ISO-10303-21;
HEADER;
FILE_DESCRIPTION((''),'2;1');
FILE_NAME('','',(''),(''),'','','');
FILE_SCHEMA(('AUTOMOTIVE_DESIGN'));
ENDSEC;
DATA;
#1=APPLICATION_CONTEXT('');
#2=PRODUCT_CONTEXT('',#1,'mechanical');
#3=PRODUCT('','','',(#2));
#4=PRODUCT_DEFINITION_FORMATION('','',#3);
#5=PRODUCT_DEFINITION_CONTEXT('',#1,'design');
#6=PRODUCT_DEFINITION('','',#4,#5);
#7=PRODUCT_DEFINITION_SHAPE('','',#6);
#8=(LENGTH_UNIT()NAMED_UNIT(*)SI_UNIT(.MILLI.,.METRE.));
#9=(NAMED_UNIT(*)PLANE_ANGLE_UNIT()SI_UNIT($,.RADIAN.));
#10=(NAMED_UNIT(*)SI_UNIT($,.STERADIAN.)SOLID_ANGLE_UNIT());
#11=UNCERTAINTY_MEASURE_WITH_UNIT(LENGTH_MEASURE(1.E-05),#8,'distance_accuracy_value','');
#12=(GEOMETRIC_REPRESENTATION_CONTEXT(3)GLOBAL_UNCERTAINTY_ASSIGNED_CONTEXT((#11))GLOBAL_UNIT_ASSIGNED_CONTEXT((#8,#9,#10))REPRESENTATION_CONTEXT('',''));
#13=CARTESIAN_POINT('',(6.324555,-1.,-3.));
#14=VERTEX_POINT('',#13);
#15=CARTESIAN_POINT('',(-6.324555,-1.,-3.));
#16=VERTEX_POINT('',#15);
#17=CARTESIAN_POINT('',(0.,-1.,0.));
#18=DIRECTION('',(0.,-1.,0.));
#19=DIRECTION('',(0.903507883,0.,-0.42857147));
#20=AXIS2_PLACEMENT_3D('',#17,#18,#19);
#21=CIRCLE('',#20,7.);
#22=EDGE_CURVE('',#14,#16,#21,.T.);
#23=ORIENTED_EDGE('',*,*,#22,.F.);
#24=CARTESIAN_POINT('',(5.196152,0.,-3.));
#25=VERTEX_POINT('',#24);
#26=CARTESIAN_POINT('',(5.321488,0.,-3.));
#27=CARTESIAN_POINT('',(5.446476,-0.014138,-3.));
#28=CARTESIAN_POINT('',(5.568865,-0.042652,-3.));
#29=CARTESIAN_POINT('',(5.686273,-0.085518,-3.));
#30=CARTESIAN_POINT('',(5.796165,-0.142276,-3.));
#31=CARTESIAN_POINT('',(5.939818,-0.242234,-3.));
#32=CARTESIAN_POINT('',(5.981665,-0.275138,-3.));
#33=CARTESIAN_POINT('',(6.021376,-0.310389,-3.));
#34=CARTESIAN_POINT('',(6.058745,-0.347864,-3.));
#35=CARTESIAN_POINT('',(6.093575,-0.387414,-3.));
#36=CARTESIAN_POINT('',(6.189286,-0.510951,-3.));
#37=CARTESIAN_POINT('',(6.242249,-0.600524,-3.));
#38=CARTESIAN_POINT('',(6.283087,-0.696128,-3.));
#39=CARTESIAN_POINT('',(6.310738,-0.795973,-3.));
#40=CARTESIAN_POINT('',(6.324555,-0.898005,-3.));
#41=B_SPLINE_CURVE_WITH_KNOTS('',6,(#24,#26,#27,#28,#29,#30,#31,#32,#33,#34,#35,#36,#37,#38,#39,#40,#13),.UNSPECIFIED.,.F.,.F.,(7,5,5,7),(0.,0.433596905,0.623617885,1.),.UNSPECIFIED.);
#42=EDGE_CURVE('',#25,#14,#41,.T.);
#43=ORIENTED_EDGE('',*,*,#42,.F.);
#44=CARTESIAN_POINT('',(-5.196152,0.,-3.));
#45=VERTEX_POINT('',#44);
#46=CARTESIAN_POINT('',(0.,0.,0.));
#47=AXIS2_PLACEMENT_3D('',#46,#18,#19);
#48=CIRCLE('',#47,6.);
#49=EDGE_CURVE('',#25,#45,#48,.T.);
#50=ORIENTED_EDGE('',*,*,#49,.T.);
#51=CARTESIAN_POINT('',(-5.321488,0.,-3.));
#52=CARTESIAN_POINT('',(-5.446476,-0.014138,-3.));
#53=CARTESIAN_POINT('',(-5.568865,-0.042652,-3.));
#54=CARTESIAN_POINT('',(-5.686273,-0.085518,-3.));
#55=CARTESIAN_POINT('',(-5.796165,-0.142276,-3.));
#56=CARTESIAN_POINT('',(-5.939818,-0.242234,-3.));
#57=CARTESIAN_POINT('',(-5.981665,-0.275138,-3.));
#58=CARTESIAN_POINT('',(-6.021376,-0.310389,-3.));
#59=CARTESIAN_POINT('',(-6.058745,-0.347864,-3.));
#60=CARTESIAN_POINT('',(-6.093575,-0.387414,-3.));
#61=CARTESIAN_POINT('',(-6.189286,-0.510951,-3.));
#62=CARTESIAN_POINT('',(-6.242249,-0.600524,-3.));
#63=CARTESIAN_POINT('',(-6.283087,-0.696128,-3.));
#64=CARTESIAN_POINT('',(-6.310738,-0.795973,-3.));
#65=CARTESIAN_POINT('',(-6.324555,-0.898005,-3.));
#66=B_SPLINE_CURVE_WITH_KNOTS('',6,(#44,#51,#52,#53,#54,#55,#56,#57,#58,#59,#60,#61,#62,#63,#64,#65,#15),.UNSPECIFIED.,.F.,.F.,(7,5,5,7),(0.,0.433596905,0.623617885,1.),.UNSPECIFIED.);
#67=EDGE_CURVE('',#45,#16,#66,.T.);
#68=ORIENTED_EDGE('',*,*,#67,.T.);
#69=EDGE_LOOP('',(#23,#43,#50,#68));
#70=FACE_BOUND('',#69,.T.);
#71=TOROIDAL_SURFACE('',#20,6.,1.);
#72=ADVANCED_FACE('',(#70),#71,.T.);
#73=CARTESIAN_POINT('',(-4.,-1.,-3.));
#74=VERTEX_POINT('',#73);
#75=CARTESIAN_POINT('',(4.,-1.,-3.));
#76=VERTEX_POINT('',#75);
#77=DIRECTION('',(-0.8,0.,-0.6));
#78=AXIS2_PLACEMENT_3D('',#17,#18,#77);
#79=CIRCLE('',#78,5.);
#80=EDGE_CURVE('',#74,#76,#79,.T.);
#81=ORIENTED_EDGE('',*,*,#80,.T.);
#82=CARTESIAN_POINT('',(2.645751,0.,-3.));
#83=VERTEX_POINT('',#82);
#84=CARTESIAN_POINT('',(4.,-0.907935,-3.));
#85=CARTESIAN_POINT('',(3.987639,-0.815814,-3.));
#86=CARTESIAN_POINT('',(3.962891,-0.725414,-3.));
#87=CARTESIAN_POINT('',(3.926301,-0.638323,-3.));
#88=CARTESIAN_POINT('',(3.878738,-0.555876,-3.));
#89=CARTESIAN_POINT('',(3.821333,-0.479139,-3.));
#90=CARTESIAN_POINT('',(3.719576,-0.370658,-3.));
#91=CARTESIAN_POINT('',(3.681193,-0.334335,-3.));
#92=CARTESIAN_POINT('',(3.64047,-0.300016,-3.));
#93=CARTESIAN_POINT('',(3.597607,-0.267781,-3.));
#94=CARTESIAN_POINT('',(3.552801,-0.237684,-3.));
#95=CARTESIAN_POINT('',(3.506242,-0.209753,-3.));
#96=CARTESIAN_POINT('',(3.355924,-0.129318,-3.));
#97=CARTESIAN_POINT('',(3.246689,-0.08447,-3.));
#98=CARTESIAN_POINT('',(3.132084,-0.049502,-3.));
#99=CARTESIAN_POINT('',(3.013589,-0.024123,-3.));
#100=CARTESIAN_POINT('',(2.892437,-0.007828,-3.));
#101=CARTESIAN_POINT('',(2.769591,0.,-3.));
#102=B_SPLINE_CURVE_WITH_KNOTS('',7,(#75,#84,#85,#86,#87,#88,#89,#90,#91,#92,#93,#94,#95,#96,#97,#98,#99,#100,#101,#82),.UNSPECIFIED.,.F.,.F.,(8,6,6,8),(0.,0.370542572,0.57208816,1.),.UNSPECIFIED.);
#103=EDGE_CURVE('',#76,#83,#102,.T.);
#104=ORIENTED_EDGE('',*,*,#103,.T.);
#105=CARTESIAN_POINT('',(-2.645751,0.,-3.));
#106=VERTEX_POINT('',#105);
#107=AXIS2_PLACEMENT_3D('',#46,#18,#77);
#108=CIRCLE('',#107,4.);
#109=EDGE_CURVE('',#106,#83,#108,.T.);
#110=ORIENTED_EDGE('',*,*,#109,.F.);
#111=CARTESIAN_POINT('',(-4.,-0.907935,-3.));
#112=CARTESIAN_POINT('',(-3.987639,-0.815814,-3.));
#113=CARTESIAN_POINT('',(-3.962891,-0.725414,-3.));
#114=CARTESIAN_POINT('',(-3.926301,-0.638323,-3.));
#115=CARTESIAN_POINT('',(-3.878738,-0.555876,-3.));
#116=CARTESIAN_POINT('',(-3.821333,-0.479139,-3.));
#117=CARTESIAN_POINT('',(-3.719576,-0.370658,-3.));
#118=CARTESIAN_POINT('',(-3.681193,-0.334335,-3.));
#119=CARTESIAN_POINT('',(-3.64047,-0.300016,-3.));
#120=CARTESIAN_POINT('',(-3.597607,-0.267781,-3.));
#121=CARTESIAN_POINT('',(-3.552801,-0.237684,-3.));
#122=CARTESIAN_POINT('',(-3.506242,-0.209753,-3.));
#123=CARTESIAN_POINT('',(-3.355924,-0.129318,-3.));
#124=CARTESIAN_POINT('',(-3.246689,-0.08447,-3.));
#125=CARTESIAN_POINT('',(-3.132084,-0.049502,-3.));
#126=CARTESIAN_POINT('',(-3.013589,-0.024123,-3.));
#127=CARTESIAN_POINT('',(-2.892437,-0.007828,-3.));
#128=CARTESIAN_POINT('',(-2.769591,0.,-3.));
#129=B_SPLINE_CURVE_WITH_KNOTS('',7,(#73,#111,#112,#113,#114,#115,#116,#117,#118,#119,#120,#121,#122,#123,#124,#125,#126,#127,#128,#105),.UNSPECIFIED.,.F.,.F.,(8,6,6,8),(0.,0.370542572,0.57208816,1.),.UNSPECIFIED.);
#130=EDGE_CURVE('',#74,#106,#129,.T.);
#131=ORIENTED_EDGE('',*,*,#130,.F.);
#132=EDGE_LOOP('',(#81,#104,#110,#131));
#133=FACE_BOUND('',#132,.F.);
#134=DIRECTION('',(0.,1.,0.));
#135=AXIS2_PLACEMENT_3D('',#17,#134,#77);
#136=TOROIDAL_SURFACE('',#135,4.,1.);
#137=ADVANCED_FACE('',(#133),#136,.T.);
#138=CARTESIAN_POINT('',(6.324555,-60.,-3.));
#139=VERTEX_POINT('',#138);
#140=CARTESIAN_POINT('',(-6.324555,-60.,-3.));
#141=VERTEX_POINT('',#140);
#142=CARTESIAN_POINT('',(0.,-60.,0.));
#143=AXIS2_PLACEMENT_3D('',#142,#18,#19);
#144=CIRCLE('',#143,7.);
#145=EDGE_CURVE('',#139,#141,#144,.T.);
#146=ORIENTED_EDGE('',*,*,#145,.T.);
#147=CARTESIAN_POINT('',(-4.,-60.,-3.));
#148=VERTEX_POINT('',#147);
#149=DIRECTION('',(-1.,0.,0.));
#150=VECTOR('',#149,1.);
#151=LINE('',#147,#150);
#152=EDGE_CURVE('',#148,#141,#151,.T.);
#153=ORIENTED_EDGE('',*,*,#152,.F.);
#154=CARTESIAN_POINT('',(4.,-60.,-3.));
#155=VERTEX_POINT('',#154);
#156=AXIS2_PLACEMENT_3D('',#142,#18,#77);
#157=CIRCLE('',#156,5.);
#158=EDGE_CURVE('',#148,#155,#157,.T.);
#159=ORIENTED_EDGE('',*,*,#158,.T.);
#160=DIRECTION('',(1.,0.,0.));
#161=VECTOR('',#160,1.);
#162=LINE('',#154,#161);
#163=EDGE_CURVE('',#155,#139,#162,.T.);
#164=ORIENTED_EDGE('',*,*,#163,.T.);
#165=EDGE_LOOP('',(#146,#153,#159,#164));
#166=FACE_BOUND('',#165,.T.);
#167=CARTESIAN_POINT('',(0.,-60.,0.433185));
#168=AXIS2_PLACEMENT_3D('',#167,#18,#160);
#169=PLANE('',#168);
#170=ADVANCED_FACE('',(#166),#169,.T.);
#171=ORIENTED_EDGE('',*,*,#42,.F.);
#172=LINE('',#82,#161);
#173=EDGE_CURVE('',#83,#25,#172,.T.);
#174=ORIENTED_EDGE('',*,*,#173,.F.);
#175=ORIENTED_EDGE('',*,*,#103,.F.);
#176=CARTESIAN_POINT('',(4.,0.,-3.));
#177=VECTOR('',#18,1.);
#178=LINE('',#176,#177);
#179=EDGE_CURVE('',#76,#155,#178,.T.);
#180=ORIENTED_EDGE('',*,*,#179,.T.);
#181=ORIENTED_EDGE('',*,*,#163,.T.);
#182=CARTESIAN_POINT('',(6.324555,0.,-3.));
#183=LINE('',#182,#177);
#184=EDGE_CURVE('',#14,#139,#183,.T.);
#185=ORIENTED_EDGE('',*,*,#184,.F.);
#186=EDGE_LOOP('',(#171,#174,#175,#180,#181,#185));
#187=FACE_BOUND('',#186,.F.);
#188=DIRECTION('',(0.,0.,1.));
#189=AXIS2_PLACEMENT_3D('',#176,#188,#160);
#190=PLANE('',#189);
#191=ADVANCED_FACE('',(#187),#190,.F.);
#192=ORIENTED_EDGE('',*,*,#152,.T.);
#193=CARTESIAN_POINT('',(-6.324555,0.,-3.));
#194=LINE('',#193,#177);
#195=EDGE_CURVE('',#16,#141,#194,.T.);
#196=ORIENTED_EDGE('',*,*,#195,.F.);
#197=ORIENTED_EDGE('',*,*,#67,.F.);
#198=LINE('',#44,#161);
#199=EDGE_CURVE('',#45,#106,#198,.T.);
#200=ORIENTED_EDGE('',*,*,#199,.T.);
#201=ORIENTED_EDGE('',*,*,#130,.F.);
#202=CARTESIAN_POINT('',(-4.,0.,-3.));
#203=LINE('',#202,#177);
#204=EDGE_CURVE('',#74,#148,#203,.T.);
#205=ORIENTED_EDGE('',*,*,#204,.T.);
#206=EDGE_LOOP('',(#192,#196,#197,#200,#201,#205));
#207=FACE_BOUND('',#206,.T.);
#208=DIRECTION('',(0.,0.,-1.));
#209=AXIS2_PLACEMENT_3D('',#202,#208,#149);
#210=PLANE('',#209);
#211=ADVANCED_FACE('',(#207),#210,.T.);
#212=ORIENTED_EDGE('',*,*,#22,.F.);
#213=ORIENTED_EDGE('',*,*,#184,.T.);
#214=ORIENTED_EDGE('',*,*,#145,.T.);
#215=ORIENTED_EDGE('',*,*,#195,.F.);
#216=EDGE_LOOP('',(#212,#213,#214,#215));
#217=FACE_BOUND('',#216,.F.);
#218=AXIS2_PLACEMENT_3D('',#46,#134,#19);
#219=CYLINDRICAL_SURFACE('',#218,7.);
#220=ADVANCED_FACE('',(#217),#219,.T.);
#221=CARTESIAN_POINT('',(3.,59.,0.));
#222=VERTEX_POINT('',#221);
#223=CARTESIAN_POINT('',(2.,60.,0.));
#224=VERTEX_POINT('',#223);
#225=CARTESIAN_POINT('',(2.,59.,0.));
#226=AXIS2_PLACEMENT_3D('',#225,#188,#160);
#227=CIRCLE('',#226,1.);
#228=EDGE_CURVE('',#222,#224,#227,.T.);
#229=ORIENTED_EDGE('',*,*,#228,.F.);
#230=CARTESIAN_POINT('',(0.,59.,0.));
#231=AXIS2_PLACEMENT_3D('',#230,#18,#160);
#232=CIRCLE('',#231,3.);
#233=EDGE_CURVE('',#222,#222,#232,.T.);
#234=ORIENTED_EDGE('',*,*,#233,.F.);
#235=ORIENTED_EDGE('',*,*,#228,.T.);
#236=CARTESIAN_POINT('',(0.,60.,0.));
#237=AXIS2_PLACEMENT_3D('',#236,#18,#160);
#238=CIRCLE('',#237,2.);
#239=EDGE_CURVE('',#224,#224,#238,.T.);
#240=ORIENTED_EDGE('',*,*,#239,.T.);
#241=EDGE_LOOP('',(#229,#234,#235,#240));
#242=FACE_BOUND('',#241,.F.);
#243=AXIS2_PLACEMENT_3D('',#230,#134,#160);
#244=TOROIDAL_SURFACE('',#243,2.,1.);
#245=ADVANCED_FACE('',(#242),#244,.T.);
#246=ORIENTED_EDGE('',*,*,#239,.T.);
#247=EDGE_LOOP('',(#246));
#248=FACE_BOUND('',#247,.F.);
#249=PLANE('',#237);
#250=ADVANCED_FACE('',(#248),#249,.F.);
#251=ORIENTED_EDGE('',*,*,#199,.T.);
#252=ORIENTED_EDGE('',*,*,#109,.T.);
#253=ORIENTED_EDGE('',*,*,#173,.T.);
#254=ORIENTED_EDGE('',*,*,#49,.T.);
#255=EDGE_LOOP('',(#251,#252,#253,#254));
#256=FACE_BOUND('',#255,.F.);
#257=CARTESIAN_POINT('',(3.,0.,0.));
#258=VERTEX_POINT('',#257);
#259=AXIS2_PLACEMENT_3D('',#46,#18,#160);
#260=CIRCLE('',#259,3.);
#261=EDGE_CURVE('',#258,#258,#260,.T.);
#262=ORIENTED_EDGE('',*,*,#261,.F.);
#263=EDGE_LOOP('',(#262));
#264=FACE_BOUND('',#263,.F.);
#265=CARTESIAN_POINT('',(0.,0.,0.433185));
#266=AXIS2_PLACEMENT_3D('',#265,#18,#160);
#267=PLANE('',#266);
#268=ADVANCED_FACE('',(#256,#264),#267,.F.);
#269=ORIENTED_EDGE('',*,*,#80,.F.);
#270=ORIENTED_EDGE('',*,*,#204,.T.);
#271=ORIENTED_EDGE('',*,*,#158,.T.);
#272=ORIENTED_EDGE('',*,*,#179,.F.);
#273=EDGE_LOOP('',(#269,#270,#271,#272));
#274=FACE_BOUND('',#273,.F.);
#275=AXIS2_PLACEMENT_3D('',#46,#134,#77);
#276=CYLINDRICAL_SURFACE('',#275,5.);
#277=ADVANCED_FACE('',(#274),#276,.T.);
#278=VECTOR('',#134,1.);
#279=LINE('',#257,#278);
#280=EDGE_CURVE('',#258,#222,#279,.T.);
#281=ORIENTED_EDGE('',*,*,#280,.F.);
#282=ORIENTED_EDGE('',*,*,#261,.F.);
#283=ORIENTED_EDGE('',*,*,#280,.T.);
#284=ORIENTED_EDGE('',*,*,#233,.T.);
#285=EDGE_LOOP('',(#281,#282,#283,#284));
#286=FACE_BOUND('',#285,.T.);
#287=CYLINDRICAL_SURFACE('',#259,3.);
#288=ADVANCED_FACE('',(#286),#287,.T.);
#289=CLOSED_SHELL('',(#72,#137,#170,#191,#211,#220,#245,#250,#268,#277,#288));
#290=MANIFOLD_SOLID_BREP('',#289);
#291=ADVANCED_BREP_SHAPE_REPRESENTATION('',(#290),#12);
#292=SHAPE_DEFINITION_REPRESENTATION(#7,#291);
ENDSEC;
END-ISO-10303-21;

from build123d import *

# Parameters (mm, degrees)
PAD_DEPTH    = 60
SKETCH001_R  = 3
PAD001_DEPTH = 60
FILLET_R     = 1
FILLET001_R  = 1


with BuildPart() as part:
    # Sketch → Pad (new body)
    with BuildSketch(Plane.XZ):
        with BuildLine():
            ThreePointArc((-4, -3), (0, -5), (4, -3))
            Line((4, -3), (6.324555, -3))
            ThreePointArc((6.324555, -3), (0, 7), (-6.324555, -3))
            Line((-4, -3), (-6.324555, -3))
        make_face()
    extrude(amount=PAD_DEPTH)

    # Sketch001 → Pad001 (join)
    with BuildSketch(Plane.XZ):
        Circle(SKETCH001_R)
    extrude(amount=-PAD001_DEPTH)

    # Fillet
    fillet_edges = [part.edges().sort_by_distance(p)[0] for p in [
        (0, 0, 7),
        (0, 0, -5),
    ]]
    fillet(fillet_edges, radius=FILLET_R)

    # Fillet001
    fillet001_edges = [part.edges().sort_by_distance(p)[0] for p in [
        (-3, 60, 0),
    ]]
    fillet(fillet001_edges, radius=FILLET001_R)


solid = part.part
